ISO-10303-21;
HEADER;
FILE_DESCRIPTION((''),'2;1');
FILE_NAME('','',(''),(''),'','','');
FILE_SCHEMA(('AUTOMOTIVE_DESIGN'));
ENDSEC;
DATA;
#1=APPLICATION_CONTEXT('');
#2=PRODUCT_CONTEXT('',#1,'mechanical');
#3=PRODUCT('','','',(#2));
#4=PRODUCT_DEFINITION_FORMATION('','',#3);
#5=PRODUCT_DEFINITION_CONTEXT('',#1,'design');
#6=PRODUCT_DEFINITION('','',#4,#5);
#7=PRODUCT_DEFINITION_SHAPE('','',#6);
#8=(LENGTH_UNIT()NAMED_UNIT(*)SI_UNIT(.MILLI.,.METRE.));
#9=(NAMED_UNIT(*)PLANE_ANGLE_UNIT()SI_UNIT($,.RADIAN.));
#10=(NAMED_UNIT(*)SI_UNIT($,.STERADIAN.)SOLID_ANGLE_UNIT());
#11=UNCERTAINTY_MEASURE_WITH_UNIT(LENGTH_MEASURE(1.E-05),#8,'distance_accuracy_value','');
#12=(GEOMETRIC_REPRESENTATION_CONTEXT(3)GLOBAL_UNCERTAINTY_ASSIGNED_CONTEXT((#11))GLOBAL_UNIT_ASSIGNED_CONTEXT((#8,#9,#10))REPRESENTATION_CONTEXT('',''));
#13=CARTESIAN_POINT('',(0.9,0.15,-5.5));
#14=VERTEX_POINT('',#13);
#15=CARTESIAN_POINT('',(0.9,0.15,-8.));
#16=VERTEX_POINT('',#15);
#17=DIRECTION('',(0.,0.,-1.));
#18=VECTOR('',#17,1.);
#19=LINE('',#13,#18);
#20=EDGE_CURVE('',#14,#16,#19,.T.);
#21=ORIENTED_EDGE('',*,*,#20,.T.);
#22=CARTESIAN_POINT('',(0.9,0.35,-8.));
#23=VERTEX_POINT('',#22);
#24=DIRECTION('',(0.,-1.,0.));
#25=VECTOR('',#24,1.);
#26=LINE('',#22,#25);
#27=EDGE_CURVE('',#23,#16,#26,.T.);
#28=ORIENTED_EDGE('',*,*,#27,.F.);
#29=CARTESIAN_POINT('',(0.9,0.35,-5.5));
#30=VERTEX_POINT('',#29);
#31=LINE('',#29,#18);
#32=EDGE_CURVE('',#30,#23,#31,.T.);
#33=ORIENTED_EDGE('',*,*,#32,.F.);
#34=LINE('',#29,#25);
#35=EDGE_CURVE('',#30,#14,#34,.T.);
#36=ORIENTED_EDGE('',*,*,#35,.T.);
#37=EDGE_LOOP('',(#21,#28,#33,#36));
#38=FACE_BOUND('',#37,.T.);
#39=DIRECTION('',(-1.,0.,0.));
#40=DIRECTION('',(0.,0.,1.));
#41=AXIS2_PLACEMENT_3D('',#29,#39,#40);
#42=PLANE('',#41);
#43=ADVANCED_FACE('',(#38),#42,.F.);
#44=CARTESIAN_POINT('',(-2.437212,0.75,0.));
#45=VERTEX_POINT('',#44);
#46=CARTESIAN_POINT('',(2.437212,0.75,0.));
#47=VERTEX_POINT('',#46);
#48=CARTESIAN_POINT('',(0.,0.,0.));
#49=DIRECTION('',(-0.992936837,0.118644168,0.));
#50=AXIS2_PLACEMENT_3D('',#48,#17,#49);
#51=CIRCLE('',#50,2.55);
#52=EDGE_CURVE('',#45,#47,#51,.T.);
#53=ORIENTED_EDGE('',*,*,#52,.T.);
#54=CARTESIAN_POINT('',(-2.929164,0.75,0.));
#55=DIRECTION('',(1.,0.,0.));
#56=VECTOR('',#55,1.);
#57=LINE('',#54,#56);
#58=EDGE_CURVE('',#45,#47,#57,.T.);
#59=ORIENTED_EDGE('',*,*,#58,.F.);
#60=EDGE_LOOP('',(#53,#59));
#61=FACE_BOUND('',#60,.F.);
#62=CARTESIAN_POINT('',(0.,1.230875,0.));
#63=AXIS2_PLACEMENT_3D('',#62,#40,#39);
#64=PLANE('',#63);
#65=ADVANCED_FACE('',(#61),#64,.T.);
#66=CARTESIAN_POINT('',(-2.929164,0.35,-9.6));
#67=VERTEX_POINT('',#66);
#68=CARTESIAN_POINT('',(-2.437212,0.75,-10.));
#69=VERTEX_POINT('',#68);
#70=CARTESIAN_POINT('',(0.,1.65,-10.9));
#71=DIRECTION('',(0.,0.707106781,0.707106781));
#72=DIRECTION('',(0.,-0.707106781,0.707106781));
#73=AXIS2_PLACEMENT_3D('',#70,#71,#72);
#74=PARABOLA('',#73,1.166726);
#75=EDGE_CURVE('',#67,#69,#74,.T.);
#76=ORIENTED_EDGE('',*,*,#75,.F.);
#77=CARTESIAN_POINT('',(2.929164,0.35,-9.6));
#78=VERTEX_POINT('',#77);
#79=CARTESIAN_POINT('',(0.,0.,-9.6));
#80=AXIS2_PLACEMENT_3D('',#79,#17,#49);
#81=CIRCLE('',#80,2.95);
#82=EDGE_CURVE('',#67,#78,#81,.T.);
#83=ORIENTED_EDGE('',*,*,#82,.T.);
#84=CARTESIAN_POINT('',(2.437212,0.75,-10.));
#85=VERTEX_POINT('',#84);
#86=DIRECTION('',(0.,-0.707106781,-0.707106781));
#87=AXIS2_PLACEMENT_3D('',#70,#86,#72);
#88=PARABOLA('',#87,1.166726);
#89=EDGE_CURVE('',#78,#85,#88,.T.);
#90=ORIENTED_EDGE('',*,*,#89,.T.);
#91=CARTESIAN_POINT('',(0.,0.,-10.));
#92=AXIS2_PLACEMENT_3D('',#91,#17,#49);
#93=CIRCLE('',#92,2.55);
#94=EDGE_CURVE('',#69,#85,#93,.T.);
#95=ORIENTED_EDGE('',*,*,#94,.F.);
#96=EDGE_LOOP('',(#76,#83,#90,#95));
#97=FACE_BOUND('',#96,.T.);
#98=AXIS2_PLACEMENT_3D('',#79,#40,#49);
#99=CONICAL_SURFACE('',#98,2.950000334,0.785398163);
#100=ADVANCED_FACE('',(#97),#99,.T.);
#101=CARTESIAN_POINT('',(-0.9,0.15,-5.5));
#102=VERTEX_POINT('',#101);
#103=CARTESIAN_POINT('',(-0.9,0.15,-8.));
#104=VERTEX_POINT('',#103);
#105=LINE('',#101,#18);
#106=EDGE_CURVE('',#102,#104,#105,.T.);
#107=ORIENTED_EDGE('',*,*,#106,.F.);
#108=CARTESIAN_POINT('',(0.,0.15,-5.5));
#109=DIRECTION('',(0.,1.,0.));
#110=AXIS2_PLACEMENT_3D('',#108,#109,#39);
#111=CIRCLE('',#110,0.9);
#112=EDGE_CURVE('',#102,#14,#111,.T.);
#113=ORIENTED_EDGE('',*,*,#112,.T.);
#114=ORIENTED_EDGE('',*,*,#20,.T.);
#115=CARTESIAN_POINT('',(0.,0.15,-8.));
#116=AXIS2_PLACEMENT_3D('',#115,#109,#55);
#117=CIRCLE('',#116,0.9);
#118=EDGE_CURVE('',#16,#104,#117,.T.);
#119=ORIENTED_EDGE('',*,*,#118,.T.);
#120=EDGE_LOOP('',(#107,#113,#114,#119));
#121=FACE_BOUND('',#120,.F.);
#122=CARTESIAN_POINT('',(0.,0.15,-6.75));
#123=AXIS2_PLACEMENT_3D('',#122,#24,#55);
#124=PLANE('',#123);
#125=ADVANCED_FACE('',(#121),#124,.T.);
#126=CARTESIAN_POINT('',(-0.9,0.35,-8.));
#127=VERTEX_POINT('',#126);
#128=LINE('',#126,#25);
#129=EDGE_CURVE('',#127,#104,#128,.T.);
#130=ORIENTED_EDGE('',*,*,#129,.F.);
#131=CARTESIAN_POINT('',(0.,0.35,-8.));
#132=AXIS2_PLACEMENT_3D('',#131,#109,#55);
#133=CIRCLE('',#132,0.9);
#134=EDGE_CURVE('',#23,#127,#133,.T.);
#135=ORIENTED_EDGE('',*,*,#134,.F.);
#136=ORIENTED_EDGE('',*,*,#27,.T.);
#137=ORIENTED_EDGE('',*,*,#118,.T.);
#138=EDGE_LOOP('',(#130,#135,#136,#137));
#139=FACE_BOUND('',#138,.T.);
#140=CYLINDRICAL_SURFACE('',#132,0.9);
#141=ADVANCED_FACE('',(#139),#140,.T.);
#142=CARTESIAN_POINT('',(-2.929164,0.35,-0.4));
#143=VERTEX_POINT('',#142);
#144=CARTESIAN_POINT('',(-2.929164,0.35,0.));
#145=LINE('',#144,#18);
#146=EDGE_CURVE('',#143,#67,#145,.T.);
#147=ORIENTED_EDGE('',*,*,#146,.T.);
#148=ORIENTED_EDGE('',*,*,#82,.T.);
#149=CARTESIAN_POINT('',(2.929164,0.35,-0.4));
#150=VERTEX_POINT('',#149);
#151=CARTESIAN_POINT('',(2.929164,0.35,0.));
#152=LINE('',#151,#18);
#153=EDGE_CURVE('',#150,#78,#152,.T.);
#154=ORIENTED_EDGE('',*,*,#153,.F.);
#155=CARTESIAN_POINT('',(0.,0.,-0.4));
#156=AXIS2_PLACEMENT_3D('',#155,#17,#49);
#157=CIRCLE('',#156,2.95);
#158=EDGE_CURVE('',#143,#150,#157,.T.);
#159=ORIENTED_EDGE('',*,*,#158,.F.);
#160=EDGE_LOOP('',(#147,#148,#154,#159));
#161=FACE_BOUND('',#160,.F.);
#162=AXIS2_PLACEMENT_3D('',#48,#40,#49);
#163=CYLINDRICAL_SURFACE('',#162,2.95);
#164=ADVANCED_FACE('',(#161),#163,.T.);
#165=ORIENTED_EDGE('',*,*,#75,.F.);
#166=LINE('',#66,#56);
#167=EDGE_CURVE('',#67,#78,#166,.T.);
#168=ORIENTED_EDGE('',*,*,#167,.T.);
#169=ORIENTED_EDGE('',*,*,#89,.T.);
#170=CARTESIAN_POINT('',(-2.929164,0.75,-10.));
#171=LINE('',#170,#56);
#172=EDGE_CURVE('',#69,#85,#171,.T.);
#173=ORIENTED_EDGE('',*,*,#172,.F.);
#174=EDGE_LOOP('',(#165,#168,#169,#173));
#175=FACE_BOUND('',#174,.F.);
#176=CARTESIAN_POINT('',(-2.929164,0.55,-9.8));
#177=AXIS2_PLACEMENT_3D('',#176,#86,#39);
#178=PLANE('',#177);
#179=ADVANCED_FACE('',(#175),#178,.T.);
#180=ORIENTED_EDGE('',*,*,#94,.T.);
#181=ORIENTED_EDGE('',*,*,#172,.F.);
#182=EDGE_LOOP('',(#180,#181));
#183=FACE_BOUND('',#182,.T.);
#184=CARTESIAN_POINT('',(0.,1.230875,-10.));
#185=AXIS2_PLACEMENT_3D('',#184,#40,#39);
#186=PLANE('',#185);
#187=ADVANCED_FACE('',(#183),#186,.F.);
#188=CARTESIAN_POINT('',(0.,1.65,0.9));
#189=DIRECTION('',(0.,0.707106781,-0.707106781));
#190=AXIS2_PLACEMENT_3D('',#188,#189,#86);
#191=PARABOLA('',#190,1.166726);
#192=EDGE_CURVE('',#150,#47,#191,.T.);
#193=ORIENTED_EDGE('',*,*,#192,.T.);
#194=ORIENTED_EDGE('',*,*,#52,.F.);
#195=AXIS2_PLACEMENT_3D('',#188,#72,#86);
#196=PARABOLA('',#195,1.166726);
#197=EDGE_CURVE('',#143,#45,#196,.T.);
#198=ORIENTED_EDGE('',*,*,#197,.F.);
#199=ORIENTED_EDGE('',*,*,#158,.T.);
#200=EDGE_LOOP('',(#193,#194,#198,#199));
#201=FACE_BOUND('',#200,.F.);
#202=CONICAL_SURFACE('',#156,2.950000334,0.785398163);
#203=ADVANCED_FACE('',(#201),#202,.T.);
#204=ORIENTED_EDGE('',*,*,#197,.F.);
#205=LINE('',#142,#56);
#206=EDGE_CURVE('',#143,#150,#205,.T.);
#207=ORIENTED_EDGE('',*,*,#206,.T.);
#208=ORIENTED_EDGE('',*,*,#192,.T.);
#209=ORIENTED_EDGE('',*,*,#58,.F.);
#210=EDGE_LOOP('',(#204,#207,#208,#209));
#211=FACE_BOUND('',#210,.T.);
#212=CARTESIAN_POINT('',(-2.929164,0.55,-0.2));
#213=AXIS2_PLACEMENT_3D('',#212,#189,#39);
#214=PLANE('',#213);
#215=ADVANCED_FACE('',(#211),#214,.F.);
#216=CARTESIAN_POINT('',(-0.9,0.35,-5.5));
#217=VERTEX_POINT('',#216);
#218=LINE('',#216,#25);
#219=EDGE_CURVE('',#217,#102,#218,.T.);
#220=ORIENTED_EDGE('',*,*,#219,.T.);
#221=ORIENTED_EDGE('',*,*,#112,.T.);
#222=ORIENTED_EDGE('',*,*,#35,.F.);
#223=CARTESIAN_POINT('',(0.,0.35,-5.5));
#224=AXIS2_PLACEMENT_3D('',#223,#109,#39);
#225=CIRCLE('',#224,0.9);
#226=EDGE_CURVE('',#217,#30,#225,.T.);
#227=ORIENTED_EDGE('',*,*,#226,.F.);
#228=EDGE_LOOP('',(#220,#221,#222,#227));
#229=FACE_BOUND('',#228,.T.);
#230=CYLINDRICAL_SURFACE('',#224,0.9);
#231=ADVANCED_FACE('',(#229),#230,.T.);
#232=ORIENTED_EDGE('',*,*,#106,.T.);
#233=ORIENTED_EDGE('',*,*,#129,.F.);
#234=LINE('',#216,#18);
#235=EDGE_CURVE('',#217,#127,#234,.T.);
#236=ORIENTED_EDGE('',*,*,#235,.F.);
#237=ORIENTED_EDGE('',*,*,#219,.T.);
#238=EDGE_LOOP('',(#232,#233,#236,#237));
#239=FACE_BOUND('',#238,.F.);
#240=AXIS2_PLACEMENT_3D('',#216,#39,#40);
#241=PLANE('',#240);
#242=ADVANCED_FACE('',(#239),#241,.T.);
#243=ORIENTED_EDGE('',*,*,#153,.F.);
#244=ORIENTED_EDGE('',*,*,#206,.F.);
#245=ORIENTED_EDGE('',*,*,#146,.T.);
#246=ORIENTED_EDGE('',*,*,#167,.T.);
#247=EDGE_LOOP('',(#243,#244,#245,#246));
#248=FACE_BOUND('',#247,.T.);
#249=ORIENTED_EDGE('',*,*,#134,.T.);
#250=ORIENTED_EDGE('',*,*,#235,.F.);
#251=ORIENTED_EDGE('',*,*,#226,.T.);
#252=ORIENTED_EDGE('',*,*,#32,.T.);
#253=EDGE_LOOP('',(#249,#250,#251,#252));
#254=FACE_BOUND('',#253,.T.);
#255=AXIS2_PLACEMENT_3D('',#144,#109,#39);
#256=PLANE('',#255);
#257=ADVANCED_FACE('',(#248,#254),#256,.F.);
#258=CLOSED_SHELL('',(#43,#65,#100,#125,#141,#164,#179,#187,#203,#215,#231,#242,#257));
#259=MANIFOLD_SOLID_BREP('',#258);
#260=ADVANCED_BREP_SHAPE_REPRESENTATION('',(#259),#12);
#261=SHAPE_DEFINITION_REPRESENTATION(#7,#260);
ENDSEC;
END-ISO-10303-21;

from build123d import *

# Parameters (mm, degrees)
PAD010_DEPTH    = 10
CHAMFER005_SIZE = 0.4
PAD011_DEPTH    = 0.2


with BuildPart() as body009:
    # Sketch023 → Pad010 (new body)
    with BuildSketch(Plane.XY):
        with BuildLine():
            ThreePointArc((-2.929164, -0.35), (0, -2.95), (2.929164, -0.35))
            Line((-2.929164, -0.35), (2.929164, -0.35))
        make_face()
    extrude(amount=-PAD010_DEPTH)

    # Chamfer005
    chamfer005_edges = [body009.edges().sort_by_distance(p)[0] for p in [
        (0, -2.95, 0),
        (0, -0.35, 0),
        (0, -2.95, -10),
        (0, -0.35, -10),
    ]]
    chamfer(chamfer005_edges, length=CHAMFER005_SIZE)

    # Sketch024 (on Face2 of Chamfer005) → Pad011 (join)
    with BuildSketch(Plane(origin=(0, -0.35, 0), x_dir=(-1, 0, 0), z_dir=(0, 1, 0))):
        with BuildLine():
            ThreePointArc((0.9, -5.5), (0, -4.6), (-0.9, -5.5))
            Line((-0.9, -5.5), (-0.9, -8))
            ThreePointArc((-0.9, -8), (0, -8.9), (0.9, -8))
            Line((0.9, -5.5), (0.9, -8))
        make_face()
    extrude(amount=PAD011_DEPTH)


with BuildPart() as holder2:
    # Part__Mirroring: instance of Body009
    add(body009.part.mirror(Plane(origin=(0, 0, 0), x_dir=(1, 0, 0), z_dir=(0, 1, 0))))


solid = holder2.part
